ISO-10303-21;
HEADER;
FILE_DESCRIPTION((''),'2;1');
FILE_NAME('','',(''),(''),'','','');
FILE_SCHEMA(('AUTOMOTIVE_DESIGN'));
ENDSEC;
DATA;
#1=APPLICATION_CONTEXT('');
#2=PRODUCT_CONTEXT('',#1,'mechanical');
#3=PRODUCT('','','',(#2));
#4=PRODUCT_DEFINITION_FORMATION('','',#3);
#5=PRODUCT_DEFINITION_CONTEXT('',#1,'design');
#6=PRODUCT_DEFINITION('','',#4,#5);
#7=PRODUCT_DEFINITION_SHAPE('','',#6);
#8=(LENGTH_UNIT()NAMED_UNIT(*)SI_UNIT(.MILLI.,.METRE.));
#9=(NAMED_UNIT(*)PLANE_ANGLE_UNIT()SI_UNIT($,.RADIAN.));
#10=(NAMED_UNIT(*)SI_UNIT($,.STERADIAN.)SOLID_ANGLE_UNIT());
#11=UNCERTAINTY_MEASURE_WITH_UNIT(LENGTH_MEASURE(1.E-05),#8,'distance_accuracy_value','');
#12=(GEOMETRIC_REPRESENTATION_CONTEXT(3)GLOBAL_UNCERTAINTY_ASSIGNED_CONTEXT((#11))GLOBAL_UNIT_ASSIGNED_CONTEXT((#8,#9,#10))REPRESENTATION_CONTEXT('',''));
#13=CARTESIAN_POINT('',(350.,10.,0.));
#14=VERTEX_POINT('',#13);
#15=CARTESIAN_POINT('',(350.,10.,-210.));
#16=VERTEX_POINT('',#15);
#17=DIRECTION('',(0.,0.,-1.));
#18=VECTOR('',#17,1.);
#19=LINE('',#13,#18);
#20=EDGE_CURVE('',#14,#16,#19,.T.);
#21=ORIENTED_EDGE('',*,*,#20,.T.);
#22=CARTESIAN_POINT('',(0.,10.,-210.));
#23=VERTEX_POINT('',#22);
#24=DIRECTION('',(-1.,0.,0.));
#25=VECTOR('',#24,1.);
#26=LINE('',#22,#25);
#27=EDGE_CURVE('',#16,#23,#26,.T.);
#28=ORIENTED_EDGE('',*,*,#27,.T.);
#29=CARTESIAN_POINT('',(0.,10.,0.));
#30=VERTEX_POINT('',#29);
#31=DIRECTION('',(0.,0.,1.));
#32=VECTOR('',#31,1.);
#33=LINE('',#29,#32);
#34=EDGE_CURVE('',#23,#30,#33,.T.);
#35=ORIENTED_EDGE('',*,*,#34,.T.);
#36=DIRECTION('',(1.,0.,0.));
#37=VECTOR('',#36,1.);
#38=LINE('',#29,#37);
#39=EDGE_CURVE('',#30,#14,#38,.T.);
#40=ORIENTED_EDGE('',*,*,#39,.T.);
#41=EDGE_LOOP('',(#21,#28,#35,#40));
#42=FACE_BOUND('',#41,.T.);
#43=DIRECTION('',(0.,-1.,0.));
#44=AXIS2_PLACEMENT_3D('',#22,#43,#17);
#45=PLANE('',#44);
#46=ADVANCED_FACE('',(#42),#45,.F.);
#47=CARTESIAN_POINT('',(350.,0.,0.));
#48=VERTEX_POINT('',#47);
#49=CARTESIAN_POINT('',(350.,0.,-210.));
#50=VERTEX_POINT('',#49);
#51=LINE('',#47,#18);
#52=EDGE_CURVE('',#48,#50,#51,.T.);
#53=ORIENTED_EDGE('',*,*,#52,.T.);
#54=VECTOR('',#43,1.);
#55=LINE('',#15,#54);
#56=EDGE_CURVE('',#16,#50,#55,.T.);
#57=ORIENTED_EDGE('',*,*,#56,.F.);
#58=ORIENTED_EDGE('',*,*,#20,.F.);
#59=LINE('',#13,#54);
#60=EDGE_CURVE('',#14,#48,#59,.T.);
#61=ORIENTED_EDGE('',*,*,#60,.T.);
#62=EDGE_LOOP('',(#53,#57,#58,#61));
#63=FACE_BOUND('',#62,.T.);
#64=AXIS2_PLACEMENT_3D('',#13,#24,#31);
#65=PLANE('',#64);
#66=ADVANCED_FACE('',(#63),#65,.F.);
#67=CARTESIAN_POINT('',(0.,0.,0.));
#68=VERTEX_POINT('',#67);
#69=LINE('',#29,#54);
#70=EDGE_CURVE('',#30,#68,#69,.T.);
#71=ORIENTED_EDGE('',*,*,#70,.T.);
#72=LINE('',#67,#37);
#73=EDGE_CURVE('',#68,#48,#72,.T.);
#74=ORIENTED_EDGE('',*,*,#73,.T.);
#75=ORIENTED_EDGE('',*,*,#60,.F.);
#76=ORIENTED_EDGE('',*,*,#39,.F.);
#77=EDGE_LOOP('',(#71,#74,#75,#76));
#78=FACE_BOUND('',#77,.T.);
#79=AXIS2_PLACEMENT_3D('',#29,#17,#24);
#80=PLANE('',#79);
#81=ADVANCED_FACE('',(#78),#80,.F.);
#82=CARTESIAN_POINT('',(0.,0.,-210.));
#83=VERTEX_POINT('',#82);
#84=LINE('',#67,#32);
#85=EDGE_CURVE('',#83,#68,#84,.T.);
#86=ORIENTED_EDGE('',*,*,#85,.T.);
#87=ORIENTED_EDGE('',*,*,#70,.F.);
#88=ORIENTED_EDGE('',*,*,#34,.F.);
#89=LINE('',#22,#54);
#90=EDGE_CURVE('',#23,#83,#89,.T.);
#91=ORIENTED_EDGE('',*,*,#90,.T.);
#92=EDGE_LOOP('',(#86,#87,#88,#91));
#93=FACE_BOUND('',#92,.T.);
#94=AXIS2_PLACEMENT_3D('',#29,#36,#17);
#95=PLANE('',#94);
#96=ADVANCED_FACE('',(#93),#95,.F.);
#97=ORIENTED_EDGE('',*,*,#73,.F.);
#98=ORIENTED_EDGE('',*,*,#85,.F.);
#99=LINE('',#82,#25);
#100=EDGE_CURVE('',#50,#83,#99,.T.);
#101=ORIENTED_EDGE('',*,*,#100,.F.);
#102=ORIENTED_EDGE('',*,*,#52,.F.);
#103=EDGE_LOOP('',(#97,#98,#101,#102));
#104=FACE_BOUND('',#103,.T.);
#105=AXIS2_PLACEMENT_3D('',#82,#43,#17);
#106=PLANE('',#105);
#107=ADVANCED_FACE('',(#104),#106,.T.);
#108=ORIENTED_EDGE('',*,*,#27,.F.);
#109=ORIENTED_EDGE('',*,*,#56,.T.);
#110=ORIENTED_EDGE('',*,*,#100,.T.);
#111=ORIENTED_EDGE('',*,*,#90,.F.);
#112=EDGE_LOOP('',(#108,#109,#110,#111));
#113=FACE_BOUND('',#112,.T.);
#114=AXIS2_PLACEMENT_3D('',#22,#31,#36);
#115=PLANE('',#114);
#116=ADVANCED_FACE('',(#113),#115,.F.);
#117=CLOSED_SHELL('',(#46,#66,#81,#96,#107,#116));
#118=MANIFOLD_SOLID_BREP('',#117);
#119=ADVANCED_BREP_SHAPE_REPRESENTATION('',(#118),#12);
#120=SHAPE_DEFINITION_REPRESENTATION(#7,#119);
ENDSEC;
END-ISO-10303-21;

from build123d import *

# Parameters (mm, degrees)
ESQUISSE1_W      = 350
ESQUISSE1_H      = 210
EXTRUSION1_DEPTH = 10


with BuildPart() as part:
    # Esquisse1 → Extrusion1 (new body)
    with BuildSketch(Plane(origin=(0, 0, 0), x_dir=(1, 0, 0), z_dir=(0, 1, 0))):
        with Locations((175, 105)):
            Rectangle(ESQUISSE1_W, ESQUISSE1_H)
    extrude(amount=EXTRUSION1_DEPTH)


solid = part.part
